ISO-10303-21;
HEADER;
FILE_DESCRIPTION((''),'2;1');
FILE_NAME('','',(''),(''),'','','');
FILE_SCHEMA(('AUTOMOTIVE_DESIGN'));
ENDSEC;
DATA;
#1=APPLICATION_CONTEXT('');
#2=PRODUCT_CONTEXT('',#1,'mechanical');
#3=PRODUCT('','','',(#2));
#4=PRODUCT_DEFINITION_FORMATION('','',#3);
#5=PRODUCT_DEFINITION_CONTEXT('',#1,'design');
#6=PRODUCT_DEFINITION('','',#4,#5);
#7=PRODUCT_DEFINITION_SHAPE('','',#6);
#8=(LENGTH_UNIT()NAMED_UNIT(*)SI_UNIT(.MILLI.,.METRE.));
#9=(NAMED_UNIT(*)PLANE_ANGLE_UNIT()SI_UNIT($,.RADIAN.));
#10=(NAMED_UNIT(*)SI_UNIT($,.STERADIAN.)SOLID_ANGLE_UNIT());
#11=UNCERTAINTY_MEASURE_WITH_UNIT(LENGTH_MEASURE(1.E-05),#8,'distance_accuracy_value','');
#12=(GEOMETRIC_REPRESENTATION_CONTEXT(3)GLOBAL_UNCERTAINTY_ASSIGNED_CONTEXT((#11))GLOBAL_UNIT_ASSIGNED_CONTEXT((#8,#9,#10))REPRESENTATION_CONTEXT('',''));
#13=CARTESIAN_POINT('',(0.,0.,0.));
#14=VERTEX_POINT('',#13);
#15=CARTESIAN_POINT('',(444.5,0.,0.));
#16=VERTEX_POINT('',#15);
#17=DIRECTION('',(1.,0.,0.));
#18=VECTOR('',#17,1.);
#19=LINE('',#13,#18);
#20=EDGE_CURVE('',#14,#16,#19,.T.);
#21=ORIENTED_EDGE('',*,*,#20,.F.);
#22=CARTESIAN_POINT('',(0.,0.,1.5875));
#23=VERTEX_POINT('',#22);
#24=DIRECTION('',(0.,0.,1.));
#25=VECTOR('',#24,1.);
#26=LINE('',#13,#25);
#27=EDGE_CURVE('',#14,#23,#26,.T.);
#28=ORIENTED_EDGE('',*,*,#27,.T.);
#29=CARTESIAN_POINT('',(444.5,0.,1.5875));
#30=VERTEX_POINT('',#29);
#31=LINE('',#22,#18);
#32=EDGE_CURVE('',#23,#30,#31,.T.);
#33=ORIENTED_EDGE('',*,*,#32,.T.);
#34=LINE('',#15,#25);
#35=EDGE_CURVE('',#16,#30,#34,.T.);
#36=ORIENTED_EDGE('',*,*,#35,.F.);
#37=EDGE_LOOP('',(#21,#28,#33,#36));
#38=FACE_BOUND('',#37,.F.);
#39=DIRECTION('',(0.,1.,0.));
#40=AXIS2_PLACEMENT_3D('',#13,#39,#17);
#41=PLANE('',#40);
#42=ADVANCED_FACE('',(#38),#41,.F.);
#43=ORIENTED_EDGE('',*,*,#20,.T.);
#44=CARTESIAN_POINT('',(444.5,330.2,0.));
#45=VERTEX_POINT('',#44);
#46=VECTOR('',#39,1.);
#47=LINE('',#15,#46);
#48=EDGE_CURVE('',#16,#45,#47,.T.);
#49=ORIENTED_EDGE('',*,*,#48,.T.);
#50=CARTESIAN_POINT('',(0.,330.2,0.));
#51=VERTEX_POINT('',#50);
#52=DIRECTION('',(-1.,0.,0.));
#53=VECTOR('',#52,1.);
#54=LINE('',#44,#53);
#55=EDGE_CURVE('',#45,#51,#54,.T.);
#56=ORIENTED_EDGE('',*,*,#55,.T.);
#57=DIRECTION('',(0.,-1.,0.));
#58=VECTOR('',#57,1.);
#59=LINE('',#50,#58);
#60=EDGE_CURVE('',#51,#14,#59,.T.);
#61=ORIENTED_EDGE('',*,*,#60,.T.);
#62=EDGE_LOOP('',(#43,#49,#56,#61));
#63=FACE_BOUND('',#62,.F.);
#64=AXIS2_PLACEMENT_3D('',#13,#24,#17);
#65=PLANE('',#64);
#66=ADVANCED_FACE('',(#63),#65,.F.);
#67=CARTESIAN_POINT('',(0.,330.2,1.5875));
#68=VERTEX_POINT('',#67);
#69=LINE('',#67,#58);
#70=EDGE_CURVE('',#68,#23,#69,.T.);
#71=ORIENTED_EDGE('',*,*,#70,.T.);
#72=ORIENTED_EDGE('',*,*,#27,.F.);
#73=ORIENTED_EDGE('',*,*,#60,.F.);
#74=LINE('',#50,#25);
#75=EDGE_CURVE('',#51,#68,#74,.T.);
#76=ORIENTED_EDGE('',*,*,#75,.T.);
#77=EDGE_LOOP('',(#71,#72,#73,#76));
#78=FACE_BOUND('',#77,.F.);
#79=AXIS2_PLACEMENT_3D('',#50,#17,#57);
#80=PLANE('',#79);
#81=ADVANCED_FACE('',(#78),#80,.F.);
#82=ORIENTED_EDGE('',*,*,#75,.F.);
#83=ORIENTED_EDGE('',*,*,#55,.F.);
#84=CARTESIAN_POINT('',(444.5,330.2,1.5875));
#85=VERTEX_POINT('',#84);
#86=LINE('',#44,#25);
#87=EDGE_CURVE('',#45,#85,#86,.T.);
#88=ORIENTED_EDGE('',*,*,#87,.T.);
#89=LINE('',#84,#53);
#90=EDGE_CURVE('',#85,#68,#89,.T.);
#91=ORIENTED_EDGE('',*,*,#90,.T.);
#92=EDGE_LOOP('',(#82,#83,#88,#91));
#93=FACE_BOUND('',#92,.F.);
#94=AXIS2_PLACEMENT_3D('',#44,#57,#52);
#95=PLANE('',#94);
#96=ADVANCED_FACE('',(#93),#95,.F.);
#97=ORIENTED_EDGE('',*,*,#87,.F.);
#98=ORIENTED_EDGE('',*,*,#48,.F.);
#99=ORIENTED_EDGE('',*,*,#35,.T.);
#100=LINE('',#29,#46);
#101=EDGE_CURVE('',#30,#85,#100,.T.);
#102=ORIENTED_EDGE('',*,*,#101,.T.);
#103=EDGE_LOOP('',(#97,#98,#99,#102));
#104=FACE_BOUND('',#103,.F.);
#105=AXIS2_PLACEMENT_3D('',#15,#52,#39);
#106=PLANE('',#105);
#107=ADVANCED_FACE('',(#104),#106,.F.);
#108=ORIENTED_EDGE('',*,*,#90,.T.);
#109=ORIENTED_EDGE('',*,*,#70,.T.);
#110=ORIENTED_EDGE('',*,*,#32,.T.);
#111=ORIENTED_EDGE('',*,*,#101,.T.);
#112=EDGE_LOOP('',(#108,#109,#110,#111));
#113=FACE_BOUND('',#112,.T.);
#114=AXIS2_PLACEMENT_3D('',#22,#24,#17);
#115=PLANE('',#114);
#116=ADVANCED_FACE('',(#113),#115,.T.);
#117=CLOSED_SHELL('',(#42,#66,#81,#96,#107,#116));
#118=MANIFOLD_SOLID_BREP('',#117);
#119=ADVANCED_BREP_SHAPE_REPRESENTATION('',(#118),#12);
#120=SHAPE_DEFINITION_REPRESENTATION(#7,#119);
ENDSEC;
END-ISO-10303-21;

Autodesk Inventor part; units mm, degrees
ref_plane "YZ Plane" through (0, 0, 0) normal (1, 0, 0) x (0, 1, 0)
ref_plane "XZ Plane" through (0, 0, 0) normal (0, 1, 0) x (-1, 0, 0)
ref_plane "XY Plane" through (0, 0, 0) normal (0, 0, 1) x (1, 0, 0)
sketch "Sketch1" plane through (0, 0, 0) normal (0, 0, 1) x (1, 0, 0)
  line L0 (0, 0) -> (444.5, 0)
  line L1 (444.5, 0) -> (444.5, 330.2)
  line L2 (444.5, 330.2) -> (0, 330.2)
  line L3 (0, 330.2) -> (0, 0)
  dimension "d0" = 444.5
  dimension "d1" = 330.2
extrude "Extrusion1" add sketch "Sketch1" along normal blind 1.5875
properties part number "LeftSidePlate"
